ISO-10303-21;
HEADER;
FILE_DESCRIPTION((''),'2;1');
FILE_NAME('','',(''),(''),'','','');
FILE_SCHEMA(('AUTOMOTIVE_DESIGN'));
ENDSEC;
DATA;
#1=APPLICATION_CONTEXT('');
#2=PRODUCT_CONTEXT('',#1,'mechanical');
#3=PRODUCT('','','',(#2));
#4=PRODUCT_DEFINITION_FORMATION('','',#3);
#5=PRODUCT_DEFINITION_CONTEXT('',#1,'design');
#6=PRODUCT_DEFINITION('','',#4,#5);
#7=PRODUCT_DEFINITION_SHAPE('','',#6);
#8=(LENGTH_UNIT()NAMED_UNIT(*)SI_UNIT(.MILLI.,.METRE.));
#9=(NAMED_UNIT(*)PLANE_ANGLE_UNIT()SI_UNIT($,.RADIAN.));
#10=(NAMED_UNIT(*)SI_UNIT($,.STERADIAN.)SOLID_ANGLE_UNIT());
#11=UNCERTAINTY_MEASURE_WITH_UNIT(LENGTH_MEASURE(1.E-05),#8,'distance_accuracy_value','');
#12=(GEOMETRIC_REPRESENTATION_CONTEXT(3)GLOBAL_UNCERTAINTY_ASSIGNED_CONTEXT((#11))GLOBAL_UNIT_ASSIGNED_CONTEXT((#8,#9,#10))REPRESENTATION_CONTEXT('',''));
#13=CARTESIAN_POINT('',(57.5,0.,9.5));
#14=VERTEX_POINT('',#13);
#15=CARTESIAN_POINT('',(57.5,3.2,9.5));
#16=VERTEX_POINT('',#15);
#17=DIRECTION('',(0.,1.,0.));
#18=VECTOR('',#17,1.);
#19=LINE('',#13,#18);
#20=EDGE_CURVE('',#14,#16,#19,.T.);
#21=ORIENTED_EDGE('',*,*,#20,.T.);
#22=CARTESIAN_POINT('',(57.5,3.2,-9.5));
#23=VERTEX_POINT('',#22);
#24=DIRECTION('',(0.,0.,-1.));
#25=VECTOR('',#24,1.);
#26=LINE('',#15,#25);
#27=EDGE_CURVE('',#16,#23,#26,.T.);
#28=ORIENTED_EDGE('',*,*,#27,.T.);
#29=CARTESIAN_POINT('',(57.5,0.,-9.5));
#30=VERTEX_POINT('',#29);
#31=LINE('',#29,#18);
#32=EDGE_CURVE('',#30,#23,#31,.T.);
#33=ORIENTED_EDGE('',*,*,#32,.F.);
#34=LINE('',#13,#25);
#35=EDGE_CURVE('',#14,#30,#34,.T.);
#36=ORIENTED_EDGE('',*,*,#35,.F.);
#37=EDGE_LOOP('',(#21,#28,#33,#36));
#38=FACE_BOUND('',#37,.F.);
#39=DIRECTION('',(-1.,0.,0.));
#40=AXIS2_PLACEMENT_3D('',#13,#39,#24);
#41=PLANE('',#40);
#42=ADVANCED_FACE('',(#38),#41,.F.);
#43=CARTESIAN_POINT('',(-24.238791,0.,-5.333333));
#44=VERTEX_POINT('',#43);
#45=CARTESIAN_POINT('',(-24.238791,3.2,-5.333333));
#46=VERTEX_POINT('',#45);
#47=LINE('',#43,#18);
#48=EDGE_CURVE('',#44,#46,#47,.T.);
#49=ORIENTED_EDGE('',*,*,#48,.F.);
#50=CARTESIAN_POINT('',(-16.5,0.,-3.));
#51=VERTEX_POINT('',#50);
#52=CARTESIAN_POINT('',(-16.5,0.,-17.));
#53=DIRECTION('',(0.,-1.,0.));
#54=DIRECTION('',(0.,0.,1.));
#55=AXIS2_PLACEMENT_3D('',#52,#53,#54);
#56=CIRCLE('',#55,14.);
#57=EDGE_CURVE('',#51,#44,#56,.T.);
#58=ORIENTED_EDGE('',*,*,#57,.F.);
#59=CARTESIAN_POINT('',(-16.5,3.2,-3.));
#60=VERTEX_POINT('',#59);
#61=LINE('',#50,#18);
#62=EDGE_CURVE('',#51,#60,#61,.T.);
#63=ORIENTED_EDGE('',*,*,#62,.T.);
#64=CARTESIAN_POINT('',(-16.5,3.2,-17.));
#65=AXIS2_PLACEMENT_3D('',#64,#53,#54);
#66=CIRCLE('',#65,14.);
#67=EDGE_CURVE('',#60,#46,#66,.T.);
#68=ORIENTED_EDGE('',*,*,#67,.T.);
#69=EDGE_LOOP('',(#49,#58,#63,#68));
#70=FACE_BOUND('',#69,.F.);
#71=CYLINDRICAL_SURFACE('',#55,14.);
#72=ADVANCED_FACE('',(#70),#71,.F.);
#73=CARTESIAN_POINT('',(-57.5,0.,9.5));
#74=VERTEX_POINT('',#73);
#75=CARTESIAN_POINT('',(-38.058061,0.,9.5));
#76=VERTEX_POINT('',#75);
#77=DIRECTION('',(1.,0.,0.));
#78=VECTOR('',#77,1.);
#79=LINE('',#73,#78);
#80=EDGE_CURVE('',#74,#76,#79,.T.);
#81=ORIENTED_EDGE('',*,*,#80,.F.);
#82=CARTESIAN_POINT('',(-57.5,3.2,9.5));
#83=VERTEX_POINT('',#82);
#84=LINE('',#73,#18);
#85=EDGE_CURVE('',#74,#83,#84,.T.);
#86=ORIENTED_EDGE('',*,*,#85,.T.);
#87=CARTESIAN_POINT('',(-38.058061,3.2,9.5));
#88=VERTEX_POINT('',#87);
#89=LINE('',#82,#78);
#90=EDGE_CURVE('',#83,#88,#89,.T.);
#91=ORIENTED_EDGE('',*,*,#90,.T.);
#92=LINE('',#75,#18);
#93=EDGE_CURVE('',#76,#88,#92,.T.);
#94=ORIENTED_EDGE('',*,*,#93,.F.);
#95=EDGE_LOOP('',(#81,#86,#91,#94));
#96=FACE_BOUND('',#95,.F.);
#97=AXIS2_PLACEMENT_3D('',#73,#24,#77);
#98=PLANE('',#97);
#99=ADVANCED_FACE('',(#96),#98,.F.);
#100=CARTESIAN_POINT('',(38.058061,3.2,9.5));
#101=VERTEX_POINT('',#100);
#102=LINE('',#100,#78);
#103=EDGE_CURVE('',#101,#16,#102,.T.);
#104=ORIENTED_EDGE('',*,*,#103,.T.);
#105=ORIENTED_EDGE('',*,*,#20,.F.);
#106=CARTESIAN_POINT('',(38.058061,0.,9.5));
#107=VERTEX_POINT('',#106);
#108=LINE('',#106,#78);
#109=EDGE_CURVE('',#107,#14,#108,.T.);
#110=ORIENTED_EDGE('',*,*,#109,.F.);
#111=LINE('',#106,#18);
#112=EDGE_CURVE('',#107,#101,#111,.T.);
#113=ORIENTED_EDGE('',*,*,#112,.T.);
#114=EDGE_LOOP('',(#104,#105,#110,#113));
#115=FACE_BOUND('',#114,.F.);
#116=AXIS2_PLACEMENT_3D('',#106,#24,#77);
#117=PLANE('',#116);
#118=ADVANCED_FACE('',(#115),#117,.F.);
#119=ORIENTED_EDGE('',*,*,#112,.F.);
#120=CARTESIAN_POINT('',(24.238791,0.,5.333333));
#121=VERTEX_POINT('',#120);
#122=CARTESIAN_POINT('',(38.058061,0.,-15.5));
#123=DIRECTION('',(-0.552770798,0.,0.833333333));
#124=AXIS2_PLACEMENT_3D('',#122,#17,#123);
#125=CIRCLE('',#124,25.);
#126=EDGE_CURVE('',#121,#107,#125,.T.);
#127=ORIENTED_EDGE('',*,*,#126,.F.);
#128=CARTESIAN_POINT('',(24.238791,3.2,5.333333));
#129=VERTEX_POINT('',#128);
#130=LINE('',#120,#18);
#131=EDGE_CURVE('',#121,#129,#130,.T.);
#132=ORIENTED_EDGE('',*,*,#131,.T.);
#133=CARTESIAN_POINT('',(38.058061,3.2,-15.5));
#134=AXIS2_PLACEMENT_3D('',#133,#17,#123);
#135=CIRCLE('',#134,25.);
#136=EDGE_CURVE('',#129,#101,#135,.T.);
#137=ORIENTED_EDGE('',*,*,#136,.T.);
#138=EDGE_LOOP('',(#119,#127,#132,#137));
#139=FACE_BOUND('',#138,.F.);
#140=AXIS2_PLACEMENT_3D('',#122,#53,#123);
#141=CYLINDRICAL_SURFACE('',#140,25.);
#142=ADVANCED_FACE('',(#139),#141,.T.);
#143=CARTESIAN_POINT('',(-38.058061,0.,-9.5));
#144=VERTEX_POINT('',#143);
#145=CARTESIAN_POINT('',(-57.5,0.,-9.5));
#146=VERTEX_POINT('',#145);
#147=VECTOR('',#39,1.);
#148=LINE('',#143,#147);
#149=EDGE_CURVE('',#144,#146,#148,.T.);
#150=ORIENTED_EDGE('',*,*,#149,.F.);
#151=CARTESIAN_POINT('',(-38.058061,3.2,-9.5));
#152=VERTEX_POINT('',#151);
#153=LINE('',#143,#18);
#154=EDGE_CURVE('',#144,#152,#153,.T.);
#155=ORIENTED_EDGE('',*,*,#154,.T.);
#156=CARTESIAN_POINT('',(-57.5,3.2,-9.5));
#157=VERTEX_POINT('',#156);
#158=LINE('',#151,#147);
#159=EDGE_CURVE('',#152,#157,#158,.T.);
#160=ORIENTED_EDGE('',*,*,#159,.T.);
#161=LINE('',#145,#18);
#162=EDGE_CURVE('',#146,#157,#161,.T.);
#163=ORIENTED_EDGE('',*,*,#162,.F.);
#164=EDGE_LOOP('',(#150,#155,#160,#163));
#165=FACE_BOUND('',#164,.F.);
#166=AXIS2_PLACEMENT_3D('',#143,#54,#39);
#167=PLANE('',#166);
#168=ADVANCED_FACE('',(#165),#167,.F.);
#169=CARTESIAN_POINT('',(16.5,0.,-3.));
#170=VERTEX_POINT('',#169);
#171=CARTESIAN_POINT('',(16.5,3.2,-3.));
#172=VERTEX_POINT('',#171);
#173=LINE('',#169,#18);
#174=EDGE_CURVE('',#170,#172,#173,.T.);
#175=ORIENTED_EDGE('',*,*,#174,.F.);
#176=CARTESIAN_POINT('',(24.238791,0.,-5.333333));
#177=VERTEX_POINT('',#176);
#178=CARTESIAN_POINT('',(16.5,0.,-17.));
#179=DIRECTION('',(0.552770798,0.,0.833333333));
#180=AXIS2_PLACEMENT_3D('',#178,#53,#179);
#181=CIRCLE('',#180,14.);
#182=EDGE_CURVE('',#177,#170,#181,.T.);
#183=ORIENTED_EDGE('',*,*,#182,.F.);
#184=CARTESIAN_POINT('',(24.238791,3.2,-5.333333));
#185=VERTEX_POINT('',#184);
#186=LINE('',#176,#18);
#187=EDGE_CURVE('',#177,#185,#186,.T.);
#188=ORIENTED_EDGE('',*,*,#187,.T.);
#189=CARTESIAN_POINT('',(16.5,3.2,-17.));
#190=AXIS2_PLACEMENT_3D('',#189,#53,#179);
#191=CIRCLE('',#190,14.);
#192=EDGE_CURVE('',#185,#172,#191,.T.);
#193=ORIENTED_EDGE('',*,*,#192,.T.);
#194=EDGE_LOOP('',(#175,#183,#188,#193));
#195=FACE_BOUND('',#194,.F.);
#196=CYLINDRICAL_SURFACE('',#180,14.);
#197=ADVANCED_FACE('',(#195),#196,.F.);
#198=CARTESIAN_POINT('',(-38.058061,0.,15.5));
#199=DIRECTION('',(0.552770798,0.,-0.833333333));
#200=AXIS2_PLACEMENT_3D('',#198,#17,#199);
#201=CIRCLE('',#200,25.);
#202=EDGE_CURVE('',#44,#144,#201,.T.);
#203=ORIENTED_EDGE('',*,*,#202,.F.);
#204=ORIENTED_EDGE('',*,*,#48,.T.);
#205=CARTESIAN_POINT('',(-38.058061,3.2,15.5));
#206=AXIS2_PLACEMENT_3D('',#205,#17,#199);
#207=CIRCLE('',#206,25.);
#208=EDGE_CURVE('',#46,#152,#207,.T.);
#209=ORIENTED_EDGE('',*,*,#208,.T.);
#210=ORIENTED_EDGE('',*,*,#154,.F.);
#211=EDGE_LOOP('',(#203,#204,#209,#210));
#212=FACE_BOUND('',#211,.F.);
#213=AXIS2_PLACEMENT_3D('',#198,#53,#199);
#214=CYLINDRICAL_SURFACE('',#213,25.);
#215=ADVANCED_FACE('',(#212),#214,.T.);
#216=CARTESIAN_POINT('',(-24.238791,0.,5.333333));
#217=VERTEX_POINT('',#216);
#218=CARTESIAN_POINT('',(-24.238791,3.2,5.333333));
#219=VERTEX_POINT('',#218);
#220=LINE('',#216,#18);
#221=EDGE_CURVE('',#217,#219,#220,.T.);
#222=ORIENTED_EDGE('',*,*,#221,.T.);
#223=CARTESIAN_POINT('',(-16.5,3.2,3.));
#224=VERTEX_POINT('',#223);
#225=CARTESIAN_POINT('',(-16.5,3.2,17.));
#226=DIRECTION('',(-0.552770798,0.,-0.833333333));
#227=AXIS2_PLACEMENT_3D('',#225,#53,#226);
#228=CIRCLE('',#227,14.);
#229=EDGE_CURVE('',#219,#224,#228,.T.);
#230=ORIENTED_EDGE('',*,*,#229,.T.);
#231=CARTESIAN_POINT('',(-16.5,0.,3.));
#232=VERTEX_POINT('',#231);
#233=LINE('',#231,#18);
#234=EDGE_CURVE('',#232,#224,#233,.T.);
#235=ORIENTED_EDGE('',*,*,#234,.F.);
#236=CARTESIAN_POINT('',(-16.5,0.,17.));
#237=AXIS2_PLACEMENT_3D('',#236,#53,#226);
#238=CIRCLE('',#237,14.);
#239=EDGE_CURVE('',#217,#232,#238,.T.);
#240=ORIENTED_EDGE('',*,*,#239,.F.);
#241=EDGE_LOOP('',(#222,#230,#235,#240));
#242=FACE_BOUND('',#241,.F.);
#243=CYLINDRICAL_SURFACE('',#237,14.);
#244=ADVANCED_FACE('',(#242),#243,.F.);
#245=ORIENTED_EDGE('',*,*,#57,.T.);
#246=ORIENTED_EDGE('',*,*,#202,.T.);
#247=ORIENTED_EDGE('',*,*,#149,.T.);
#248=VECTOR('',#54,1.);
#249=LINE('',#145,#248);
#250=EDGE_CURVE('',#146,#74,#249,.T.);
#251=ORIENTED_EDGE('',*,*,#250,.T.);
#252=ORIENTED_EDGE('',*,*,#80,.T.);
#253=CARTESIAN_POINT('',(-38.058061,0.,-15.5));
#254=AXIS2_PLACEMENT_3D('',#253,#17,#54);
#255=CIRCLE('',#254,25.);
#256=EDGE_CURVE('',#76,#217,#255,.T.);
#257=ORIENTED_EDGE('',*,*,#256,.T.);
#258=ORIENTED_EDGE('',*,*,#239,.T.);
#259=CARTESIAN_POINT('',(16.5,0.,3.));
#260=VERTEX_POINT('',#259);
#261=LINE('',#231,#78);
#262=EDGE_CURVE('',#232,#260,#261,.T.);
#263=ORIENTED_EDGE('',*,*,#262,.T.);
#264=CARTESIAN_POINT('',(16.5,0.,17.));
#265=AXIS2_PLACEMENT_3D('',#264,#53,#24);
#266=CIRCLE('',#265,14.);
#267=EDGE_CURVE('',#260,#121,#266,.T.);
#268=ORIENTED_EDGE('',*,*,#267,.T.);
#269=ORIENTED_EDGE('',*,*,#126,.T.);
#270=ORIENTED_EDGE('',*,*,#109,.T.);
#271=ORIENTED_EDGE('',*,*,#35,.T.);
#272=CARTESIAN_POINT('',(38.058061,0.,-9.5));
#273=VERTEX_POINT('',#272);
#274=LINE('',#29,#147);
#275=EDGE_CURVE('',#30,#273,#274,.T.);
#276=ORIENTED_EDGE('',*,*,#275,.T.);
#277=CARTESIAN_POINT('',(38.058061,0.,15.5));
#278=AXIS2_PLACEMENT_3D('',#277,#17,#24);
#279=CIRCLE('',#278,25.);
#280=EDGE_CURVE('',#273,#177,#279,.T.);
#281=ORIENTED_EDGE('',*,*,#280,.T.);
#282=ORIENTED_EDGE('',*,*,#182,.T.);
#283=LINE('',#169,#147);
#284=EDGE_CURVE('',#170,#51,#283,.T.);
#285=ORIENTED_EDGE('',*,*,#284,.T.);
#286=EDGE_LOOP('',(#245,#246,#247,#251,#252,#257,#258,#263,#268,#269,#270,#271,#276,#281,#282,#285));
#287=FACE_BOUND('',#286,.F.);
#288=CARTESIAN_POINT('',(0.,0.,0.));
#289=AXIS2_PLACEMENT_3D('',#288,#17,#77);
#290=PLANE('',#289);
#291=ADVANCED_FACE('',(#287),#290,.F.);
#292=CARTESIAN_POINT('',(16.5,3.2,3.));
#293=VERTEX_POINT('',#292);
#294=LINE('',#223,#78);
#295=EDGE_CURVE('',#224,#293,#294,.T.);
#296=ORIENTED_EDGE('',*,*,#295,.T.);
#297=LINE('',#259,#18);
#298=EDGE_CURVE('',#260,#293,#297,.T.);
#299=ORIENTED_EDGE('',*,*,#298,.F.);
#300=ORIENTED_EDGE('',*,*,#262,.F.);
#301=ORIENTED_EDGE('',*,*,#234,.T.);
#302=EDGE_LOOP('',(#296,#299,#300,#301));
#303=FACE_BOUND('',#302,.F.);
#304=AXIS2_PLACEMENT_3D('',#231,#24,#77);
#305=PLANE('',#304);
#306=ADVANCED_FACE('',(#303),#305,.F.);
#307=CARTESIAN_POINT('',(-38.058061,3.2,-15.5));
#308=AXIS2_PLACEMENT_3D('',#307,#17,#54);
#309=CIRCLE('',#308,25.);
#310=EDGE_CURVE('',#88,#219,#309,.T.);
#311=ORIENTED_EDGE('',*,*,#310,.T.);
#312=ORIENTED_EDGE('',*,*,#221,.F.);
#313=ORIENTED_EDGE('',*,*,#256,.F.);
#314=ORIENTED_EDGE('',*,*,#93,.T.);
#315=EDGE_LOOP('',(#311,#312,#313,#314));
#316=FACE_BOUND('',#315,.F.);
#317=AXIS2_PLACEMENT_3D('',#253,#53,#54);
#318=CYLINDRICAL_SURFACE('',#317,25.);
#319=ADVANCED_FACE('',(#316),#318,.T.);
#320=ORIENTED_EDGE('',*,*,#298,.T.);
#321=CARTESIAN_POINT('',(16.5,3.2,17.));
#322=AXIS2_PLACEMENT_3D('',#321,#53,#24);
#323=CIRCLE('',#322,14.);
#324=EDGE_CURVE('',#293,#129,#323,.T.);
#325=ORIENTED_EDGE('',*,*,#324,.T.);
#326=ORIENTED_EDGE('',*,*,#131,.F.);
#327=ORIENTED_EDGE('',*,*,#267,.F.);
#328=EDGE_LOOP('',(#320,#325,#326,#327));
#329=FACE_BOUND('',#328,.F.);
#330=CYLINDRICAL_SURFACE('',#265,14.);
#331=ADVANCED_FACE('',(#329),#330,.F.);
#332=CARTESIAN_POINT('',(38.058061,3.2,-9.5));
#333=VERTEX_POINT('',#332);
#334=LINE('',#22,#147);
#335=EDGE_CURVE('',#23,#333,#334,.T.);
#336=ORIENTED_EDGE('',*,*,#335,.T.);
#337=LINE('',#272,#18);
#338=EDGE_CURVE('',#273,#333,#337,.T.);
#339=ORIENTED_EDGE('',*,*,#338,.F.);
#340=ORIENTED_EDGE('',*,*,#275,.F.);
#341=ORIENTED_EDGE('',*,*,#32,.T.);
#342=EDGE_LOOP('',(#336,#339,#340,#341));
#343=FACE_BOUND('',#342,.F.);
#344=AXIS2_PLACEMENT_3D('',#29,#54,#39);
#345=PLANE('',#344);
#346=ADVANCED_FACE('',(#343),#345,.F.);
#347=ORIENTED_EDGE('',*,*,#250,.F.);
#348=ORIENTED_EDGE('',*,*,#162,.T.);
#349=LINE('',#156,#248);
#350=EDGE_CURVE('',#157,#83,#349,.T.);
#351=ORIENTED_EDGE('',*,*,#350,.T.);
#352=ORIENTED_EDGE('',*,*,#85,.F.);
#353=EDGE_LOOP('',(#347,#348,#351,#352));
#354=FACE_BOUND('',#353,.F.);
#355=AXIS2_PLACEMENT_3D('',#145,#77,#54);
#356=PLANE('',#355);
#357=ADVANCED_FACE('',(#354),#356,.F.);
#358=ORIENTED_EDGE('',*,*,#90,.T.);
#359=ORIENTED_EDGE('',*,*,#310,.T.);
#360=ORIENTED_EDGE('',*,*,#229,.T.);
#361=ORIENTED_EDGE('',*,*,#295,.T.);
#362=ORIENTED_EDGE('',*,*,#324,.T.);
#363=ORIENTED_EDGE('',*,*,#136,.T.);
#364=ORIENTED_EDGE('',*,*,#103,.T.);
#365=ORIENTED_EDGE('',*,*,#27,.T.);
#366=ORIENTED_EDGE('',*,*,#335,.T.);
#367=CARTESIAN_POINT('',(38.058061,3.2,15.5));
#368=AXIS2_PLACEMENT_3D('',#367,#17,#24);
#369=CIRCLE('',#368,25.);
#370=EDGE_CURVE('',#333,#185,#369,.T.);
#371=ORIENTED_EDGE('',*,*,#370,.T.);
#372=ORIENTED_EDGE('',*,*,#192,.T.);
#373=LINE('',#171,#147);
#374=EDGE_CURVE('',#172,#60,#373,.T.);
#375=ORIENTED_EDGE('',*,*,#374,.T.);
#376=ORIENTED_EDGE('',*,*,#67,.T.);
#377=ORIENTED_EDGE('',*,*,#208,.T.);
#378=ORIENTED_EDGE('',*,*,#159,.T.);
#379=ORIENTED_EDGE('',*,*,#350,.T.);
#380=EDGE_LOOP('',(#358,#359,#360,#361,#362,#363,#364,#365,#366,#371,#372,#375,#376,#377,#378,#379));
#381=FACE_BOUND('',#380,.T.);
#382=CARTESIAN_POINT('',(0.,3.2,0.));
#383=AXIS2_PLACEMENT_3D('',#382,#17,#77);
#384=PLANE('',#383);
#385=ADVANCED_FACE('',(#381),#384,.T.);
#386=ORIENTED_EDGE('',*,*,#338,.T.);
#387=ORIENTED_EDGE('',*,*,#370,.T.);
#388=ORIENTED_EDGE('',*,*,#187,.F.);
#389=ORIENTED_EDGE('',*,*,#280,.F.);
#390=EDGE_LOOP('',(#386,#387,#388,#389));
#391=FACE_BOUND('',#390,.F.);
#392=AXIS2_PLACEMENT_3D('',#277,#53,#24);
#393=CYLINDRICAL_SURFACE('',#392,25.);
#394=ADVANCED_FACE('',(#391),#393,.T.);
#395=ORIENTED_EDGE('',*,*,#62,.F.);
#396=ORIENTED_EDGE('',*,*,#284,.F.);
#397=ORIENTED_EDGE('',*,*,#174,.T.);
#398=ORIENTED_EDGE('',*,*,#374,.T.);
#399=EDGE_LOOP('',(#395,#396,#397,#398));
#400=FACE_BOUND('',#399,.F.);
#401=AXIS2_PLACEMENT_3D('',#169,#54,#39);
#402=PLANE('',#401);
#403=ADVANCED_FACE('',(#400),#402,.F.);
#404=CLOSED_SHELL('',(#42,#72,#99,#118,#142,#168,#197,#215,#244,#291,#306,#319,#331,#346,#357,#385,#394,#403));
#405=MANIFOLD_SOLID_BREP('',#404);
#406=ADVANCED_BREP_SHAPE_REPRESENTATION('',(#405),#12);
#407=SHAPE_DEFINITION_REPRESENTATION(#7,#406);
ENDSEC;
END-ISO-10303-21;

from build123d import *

# Parameters (mm, degrees)
BOSS_EXTRUDE1_DEPTH = 3.2


with BuildPart() as part:
    # Sketch1 → Boss-Extrude1 (new body)
    with BuildSketch(Plane(origin=(0, 0, 0), x_dir=(1, 0, 0), z_dir=(0, 1, 0))):
        with BuildLine():
            Line((38.058061137, -9.5), (57.5, -9.5))
            Line((57.5, -9.5), (57.5, 9.5))
            Line((57.5, 9.5), (38.058061137, 9.5))
            ThreePointArc((38.058061137, 9.5), (30.841182772, 8.435677694), (24.238791177, 5.333333333))
            ThreePointArc((24.238791177, 5.333333333), (20.541451884, 3.596020491), (16.5, 3))
            Line((16.5, 3), (-16.5, 3))
            ThreePointArc((-16.5, 3), (-20.541451884, 3.596020491), (-24.238791177, 5.333333333))
            ThreePointArc((-24.238791177, 5.333333333), (-30.841182772, 8.435677694), (-38.058061137, 9.5))
            Line((-38.058061137, 9.5), (-57.5, 9.5))
            Line((-57.5, 9.5), (-57.5, -9.5))
            Line((-57.5, -9.5), (-38.058061137, -9.5))
            ThreePointArc((-38.058061137, -9.5), (-30.841182772, -8.435677694), (-24.238791177, -5.333333333))
            ThreePointArc((-24.238791177, -5.333333333), (-20.541451884, -3.596020491), (-16.5, -3))
            Line((-16.5, -3), (16.5, -3))
            ThreePointArc((16.5, -3), (20.541451884, -3.596020491), (24.238791177, -5.333333333))
            ThreePointArc((24.238791177, -5.333333333), (30.841182772, -8.435677694), (38.058061137, -9.5))
        make_face()
    extrude(amount=BOSS_EXTRUDE1_DEPTH)


solid = part.part
